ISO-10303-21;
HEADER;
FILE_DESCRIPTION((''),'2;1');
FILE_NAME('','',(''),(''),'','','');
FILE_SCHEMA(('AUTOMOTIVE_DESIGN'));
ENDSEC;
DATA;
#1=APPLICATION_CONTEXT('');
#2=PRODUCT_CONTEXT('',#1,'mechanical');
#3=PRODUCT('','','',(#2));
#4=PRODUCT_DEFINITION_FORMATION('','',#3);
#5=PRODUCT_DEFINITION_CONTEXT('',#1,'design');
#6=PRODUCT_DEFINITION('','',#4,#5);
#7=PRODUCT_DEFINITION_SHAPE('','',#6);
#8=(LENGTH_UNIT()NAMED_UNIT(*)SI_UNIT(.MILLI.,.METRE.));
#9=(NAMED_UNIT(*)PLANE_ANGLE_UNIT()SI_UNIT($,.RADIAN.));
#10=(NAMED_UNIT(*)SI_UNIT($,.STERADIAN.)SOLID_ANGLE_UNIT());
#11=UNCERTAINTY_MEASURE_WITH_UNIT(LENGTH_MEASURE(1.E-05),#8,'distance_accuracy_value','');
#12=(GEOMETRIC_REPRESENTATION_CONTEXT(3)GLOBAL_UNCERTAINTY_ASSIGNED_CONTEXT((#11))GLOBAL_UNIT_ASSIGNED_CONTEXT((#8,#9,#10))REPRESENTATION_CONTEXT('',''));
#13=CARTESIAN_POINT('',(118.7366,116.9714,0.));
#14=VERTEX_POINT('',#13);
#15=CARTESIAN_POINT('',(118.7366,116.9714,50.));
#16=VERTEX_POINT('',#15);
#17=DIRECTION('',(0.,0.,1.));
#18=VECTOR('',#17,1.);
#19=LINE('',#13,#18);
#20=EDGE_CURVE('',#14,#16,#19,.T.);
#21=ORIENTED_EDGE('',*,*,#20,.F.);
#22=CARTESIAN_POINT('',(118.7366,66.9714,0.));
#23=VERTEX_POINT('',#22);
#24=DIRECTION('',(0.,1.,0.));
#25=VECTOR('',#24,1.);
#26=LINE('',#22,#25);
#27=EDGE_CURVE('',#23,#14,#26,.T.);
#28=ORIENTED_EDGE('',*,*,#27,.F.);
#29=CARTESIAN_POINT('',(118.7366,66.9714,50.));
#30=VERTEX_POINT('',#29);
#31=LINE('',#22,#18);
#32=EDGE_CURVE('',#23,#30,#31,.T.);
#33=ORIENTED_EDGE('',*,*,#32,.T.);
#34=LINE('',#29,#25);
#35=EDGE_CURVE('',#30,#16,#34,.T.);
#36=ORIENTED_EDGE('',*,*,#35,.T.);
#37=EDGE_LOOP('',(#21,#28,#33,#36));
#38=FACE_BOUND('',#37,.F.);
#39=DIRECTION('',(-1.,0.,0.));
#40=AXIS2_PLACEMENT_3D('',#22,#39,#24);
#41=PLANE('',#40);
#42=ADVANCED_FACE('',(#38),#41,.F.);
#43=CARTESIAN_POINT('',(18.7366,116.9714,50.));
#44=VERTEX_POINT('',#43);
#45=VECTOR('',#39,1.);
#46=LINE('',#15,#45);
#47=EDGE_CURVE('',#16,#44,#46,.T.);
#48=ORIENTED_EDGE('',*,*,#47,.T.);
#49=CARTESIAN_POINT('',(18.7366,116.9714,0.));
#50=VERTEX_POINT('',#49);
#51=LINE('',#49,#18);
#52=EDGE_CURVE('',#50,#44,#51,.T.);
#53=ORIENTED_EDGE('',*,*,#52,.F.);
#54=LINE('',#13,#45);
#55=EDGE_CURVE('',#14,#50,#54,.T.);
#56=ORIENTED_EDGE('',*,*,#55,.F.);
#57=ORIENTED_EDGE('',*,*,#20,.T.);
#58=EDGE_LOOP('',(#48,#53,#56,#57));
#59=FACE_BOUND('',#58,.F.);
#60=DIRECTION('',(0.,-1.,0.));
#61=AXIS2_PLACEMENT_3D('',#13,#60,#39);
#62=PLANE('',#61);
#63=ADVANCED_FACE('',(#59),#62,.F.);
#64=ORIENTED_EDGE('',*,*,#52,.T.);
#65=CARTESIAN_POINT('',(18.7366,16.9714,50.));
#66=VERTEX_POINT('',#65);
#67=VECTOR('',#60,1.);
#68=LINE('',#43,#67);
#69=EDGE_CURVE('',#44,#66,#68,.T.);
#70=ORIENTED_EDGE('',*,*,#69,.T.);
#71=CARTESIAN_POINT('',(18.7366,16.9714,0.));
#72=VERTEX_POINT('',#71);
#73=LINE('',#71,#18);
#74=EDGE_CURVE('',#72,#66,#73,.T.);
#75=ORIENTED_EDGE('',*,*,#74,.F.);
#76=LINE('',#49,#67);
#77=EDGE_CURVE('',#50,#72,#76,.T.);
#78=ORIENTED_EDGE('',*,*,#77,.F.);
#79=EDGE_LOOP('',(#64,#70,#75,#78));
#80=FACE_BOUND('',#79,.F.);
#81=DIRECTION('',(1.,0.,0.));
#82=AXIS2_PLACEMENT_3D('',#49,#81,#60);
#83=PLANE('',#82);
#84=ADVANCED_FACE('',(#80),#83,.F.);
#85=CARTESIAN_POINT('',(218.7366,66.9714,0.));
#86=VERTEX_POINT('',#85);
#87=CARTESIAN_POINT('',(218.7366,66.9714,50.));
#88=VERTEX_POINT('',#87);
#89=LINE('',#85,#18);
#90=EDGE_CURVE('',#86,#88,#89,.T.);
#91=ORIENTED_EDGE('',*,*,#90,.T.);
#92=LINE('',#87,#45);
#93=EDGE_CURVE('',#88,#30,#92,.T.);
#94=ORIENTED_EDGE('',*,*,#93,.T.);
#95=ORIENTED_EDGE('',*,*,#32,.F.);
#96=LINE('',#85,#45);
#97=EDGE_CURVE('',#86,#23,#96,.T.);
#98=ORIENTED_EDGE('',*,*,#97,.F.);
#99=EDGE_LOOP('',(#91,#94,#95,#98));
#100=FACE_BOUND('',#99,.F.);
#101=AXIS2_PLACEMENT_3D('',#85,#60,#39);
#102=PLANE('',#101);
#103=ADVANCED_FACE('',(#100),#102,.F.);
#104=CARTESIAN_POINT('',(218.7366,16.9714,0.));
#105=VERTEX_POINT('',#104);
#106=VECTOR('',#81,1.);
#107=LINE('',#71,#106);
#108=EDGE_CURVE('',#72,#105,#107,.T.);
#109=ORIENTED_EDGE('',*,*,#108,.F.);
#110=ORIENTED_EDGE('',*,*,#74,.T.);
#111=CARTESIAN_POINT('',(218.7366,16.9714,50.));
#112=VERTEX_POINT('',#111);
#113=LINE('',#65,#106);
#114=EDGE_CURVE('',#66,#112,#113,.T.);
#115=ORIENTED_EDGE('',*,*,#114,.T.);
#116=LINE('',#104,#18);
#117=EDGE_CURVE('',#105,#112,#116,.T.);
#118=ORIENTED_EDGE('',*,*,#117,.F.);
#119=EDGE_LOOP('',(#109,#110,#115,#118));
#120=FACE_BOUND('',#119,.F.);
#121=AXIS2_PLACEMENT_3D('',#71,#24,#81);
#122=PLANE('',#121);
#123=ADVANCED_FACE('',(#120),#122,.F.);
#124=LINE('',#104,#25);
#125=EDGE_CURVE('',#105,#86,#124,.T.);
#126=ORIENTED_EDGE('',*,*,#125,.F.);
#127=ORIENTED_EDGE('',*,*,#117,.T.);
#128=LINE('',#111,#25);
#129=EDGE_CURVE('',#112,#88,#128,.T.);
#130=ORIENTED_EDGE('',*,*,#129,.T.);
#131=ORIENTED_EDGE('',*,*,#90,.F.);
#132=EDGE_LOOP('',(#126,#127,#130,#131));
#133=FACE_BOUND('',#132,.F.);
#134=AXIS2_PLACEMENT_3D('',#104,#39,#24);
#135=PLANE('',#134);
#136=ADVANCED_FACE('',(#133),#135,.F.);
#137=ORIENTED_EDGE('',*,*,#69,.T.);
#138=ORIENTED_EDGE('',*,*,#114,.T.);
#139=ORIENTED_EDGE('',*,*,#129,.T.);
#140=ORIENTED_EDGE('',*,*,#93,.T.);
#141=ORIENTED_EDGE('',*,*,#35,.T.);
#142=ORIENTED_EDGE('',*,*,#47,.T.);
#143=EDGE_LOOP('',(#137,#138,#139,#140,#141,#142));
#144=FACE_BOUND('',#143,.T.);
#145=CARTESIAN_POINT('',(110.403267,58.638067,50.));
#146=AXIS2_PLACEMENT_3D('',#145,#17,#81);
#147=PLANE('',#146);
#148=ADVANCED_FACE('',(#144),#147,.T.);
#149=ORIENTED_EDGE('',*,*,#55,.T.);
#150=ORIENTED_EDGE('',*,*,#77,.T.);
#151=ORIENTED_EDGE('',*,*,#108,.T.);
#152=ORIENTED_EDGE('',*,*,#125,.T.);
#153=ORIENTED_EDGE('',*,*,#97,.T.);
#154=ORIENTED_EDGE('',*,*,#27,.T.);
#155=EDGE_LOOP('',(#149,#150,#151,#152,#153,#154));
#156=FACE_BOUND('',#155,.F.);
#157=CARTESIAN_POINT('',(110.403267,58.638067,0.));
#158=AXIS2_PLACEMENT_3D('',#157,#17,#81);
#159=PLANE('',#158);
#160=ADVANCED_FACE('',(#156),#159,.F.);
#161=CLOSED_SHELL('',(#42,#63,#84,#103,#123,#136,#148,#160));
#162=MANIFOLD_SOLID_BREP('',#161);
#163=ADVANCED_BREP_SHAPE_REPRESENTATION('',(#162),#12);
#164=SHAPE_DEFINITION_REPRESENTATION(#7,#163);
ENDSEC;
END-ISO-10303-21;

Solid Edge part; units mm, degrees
sketch "Sketch1" plane through (0, 0, 0) normal (0, 0, 1) x (1, 0, 0)
  line L0 (18.7366, 16.9714) -> (218.7366, 16.9714)
  line L1 (218.7366, 16.9714) -> (218.7366, 66.9714)
  line L2 (218.7366, 66.9714) -> (118.7366, 66.9714)
  line L3 (118.7366, 66.9714) -> (118.7366, 116.9714)
  line L4 (118.7366, 116.9714) -> (18.7366, 116.9714)
  line L5 (18.7366, 116.9714) -> (18.7366, 16.9714)
extrude "Protrusion1" add sketch "Sketch1" along normal blind 50
